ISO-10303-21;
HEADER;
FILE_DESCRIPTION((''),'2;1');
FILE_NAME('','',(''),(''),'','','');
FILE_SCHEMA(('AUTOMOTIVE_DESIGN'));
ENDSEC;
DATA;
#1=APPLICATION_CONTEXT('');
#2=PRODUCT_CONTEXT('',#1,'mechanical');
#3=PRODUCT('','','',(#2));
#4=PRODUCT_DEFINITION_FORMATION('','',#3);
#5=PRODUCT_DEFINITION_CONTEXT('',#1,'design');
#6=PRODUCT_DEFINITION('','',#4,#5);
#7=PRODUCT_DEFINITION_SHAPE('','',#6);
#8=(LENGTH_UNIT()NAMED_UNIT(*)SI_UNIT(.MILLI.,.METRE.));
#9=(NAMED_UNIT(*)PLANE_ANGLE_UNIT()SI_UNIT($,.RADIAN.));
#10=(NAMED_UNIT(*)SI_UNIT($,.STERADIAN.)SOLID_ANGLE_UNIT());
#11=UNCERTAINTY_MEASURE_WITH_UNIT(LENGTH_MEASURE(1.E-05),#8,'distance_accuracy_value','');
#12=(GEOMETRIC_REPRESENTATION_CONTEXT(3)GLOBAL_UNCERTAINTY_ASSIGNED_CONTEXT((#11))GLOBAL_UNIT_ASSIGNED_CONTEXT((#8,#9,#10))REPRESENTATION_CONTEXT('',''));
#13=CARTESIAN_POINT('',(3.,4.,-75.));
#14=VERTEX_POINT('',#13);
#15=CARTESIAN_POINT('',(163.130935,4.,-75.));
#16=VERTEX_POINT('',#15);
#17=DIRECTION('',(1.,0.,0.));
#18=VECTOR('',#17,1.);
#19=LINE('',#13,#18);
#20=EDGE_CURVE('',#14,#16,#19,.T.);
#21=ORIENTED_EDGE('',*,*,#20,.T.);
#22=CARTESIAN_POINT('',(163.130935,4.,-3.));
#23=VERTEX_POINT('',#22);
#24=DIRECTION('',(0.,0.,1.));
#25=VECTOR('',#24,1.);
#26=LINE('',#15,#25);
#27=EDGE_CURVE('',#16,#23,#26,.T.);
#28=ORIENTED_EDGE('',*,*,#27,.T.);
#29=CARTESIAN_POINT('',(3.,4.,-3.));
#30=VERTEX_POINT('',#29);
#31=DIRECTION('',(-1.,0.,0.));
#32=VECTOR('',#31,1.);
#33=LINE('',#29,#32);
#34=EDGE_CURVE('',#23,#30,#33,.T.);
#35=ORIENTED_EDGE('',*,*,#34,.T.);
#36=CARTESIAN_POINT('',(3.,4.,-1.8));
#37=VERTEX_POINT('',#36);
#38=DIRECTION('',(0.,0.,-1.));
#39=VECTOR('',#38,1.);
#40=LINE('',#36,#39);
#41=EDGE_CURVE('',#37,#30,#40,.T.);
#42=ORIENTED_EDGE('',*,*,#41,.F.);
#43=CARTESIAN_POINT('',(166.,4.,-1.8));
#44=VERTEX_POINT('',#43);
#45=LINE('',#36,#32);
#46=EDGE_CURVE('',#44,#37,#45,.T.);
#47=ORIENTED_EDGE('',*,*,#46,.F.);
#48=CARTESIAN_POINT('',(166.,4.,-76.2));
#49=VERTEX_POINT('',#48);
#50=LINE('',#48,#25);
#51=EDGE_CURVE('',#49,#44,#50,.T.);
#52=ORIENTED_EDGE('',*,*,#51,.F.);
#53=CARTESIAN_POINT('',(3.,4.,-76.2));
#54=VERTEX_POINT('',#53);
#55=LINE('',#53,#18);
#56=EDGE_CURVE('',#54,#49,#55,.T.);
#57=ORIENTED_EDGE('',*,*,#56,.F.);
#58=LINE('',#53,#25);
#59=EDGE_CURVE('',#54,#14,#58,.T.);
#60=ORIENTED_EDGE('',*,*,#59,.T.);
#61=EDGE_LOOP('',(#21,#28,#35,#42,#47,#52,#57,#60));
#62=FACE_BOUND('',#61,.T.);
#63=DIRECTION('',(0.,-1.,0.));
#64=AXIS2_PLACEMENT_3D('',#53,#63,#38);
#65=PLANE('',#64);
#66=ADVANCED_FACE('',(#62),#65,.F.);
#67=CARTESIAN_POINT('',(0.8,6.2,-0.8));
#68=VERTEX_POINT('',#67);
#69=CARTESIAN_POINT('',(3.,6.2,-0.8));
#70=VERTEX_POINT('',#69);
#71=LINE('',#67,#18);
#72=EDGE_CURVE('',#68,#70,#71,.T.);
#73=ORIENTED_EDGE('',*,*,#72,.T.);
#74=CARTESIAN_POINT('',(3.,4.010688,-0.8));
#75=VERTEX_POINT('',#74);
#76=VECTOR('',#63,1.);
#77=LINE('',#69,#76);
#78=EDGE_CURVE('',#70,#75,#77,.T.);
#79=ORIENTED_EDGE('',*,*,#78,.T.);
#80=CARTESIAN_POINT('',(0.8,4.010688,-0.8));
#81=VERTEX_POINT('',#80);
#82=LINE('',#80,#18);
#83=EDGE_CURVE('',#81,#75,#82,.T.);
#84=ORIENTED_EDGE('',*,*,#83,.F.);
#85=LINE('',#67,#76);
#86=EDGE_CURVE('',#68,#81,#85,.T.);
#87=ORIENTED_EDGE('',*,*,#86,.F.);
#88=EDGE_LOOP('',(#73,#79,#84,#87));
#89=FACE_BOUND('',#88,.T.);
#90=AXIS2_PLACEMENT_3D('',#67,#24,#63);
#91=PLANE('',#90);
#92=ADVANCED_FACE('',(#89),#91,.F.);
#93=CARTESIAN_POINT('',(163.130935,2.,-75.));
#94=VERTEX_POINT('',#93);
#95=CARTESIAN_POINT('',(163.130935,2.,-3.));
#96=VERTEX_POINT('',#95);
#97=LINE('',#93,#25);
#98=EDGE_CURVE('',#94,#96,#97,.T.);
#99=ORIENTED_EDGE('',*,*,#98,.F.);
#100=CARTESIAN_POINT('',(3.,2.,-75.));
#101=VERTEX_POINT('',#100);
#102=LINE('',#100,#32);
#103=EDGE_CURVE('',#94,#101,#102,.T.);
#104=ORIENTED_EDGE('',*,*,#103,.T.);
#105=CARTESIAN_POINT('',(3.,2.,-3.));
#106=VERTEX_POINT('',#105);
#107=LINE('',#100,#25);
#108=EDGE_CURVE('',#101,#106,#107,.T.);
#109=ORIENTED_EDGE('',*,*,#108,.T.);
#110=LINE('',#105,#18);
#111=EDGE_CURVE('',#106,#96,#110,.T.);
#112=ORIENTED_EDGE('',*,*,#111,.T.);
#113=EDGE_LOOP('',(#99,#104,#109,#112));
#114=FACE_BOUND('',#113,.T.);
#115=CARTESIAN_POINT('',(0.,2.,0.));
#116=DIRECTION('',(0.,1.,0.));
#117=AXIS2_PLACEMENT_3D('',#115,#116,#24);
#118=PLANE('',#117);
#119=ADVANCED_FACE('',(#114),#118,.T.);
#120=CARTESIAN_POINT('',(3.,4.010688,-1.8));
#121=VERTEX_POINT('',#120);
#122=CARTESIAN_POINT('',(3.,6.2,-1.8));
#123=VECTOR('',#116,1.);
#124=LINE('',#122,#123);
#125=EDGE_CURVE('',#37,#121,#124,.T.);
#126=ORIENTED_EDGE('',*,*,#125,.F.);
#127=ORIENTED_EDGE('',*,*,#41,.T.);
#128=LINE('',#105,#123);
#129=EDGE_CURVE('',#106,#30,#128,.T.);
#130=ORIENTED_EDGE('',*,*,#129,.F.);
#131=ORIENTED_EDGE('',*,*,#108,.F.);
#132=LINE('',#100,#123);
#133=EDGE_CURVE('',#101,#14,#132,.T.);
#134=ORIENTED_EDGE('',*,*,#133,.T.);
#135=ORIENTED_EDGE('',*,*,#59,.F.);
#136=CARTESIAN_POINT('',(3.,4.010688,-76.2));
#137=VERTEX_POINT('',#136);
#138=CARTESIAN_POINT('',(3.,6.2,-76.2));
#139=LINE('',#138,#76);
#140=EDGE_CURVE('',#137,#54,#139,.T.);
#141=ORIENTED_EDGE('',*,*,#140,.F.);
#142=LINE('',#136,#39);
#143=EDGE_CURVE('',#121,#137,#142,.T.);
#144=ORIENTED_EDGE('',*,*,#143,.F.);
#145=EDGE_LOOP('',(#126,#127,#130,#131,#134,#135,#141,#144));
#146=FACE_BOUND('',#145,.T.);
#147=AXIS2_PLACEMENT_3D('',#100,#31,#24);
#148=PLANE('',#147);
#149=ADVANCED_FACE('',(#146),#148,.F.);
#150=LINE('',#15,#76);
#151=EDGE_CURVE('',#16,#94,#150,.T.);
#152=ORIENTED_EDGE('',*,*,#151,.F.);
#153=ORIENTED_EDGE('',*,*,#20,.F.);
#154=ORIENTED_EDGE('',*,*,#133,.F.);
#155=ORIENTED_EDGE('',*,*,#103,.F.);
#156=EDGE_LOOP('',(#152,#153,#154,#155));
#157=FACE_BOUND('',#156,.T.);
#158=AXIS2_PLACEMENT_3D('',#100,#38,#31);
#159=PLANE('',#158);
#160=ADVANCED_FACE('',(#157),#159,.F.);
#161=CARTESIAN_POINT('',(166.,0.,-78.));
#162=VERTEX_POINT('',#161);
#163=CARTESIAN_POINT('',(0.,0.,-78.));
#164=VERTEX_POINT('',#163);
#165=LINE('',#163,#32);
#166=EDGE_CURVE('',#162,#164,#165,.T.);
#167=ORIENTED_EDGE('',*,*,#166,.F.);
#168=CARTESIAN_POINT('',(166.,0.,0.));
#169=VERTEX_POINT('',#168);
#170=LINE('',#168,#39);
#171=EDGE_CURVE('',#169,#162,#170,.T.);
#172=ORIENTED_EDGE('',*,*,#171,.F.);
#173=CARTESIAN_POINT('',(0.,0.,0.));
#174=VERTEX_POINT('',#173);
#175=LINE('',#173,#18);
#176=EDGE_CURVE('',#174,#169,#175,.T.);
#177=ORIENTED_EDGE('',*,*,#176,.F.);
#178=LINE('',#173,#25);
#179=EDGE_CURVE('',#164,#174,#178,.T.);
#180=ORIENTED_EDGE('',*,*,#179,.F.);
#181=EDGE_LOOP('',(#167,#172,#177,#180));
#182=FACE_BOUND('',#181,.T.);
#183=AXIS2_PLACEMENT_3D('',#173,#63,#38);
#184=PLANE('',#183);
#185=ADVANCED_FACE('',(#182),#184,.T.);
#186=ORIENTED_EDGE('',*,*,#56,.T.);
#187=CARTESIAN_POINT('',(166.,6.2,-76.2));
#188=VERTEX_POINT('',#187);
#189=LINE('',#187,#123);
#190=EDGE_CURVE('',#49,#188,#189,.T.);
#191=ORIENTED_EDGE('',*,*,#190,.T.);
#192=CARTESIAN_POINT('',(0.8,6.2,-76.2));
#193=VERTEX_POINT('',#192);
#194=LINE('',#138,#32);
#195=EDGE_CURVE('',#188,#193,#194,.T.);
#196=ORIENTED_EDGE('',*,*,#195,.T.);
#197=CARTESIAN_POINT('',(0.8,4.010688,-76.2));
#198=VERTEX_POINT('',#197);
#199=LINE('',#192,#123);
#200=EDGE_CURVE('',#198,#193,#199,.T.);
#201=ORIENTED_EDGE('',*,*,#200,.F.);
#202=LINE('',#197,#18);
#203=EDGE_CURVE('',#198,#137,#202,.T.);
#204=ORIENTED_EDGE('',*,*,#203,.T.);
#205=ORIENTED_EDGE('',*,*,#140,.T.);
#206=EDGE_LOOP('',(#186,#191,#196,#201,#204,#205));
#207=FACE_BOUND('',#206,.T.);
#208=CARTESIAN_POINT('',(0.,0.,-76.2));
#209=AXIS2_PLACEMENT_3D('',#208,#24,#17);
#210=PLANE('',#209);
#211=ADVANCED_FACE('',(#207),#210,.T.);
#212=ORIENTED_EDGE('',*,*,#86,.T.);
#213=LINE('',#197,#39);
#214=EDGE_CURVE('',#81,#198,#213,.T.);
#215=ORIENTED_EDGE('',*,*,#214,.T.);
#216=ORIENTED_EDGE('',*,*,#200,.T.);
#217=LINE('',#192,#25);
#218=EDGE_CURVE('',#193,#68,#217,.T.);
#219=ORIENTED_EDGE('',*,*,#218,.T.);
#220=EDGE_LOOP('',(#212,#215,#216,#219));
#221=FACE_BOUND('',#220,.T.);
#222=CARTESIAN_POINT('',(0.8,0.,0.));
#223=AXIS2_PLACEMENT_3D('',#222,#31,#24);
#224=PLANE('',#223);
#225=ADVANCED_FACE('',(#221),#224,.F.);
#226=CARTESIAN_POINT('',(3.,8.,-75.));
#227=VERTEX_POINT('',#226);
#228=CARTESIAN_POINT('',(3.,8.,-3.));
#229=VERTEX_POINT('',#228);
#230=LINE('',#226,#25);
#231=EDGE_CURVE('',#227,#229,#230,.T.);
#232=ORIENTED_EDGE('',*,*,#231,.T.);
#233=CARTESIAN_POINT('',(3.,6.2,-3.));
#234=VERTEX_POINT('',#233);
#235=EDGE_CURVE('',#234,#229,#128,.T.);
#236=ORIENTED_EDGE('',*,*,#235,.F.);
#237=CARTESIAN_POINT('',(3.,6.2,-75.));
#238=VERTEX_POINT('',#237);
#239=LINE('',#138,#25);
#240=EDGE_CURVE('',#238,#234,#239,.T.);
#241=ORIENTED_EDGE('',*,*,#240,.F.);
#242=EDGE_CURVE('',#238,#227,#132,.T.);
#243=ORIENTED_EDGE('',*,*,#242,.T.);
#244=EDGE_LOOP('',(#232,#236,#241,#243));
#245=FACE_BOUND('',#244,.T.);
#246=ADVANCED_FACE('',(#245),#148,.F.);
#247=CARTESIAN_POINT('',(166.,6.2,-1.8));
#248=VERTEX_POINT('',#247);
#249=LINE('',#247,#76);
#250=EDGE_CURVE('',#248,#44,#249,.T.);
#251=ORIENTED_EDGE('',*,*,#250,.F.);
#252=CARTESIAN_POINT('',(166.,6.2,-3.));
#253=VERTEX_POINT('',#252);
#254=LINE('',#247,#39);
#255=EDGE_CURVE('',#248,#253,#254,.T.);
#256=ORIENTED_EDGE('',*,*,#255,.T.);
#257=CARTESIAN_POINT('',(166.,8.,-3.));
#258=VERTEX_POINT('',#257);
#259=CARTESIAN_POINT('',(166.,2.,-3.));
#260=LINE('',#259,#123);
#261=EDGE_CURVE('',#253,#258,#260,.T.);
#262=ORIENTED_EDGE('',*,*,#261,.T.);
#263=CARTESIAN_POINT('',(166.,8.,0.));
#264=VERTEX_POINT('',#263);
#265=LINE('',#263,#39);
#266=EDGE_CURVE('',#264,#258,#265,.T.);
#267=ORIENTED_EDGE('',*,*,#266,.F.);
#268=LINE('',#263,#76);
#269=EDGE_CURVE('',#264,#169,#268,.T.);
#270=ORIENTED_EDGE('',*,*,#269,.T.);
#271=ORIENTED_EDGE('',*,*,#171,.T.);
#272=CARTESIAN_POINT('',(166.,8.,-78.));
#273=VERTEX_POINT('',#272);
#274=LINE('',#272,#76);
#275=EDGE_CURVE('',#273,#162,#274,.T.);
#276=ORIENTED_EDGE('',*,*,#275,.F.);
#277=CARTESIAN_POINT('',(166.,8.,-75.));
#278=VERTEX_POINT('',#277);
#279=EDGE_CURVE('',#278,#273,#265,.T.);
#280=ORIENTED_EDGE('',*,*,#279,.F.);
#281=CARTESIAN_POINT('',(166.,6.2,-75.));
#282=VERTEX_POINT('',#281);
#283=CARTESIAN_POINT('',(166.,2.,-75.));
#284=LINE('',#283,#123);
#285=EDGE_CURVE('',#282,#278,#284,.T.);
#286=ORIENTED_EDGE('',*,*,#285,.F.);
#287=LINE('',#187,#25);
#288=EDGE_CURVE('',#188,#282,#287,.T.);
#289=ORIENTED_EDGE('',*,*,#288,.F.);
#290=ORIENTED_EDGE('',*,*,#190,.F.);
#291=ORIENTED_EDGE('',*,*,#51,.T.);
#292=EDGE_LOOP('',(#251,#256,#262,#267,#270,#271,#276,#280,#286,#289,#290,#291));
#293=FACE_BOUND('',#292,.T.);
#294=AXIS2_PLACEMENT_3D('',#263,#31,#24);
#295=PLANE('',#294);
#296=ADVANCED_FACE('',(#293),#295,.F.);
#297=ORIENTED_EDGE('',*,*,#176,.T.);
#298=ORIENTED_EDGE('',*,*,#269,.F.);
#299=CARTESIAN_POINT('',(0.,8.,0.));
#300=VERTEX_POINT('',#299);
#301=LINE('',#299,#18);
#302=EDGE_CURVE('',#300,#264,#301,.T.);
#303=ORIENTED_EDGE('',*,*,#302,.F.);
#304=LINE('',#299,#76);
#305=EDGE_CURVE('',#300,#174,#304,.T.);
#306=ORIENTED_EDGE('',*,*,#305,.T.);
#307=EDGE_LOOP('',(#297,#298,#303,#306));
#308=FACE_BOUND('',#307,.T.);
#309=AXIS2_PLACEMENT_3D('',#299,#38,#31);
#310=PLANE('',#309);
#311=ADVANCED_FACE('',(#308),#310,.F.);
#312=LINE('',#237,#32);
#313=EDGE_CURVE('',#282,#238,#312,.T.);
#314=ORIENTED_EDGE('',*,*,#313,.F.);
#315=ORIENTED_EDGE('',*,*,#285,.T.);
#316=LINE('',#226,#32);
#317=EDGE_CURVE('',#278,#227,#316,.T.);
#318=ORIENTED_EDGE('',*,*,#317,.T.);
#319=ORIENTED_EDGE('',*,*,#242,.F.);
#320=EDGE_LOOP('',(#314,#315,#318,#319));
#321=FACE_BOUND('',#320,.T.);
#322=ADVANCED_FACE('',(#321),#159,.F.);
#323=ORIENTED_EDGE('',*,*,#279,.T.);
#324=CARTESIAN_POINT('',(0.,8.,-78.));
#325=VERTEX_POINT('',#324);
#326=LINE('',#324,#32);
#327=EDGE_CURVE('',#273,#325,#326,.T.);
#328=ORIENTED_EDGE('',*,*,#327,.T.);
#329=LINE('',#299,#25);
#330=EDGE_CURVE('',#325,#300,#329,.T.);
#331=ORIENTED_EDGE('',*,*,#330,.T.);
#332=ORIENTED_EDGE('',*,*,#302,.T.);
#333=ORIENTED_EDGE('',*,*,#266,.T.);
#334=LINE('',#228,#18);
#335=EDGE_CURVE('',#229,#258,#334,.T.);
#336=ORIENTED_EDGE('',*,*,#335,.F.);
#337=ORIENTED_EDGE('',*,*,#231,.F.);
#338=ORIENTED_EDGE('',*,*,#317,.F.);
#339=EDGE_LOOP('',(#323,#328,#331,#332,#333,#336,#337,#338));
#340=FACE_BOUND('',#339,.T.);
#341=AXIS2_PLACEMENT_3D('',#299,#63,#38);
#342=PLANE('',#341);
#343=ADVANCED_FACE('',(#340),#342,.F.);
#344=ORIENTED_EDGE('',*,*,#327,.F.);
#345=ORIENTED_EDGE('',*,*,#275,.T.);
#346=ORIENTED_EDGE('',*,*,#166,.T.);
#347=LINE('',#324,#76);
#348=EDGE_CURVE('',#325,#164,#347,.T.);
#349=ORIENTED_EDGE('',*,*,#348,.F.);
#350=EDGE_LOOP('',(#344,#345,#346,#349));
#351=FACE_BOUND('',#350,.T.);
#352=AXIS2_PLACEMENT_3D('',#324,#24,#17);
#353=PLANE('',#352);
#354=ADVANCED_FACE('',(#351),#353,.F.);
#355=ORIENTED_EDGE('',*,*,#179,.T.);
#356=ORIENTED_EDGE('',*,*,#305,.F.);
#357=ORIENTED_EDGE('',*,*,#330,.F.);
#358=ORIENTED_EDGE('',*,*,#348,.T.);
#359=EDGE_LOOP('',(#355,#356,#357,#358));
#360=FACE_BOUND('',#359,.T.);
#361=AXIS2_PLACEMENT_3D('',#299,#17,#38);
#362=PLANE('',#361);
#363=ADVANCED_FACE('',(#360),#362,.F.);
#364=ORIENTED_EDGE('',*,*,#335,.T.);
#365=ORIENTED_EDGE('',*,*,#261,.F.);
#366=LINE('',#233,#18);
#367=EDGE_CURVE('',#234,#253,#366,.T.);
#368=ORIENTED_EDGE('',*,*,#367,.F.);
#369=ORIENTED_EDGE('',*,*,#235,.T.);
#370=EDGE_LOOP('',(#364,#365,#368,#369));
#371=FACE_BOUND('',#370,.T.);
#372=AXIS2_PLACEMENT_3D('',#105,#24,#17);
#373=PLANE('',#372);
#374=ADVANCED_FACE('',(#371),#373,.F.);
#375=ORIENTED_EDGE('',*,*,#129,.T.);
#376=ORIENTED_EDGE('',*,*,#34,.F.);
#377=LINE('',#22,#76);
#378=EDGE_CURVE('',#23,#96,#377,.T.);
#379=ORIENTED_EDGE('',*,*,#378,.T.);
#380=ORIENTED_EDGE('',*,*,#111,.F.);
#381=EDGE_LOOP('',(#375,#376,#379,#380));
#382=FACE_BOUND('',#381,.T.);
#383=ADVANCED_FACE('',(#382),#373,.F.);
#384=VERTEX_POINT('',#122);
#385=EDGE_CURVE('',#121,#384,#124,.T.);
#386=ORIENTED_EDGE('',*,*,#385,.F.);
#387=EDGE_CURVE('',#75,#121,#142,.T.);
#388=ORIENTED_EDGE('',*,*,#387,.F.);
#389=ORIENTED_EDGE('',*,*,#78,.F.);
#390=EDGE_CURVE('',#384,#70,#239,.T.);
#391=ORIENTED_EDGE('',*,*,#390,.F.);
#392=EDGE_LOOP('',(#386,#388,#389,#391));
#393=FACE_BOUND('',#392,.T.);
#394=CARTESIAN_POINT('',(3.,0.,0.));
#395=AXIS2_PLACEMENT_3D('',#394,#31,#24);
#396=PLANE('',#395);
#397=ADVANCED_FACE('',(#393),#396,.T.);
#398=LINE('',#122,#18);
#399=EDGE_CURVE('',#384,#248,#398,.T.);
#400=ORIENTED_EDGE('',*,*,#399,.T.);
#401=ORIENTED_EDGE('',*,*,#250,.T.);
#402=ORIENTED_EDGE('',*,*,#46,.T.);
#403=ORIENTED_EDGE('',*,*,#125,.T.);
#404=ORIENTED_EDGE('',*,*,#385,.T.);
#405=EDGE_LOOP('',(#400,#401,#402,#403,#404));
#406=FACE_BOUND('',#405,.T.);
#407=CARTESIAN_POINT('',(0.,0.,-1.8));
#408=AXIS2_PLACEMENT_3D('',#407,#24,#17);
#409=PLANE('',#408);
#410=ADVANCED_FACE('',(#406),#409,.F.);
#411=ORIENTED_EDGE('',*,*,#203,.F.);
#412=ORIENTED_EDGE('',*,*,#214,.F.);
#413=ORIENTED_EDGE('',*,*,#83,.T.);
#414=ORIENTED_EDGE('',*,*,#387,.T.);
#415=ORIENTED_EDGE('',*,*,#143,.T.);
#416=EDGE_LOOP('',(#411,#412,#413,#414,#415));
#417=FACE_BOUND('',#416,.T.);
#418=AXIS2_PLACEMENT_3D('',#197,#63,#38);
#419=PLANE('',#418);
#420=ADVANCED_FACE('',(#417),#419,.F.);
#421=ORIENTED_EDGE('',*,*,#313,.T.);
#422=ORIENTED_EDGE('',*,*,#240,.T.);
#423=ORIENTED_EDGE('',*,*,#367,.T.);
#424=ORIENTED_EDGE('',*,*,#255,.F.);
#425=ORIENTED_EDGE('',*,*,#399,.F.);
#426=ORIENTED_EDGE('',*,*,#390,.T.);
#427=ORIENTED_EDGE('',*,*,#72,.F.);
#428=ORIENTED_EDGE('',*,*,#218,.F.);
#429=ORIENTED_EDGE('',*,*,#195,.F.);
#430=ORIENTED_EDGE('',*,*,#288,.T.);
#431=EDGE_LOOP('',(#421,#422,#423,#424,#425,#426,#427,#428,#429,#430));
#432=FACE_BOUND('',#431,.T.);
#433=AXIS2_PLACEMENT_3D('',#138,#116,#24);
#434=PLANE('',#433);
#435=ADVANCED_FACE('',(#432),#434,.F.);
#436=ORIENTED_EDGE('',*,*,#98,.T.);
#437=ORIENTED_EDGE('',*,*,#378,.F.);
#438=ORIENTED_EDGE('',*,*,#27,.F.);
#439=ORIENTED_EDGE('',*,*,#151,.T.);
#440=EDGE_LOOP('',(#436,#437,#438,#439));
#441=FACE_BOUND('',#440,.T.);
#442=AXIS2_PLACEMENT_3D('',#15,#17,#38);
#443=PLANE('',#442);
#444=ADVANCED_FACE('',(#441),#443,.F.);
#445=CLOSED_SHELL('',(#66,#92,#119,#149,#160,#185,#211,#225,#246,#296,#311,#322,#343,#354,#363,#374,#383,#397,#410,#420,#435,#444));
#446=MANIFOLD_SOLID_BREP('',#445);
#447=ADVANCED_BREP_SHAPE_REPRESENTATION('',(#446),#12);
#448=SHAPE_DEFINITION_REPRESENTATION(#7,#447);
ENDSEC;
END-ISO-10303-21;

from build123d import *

# Parameters (mm, degrees)
SKETCH_1_W            = 166
SKETCH_1_H            = 78
EXTRUDE_293_DEPTH     = 8
SKETCH_2_W            = 163
SKETCH_2_H            = 72
CUT_EXTRUDE_531_DEPTH = 6
SKETCH_7_W            = 163
SKETCH_7_H            = 2.2
CUT_EXTRUDE_3_DEPTH   = 1.2
SKETCH_8_W            = 75.4
SKETCH_8_H            = 2.189311695
CUT_EXTRUDE_4_DEPTH   = 2.2
SKETCH_9_W            = 163
SKETCH_9_H            = 2.2
CUT_EXTRUDE_5_DEPTH   = 1.2
SKETCH_10_W           = 2.869065247
SKETCH_10_H           = 72
EXTRUDE_1_DEPTH       = 2


with BuildPart() as part:
    # Эскиз1 → Extrude 293 (new body)
    with BuildSketch(Plane(origin=(0, 0, 0), x_dir=(1, 0, 0), z_dir=(0, 1, 0))):
        with Locations((83, 39)):
            Rectangle(SKETCH_1_W, SKETCH_1_H)
    extrude(amount=EXTRUDE_293_DEPTH)

    # Эскиз2 → Cut-Extrude 531 (cut)
    with BuildSketch(Plane(origin=(0, 8, 0), x_dir=(1, 0, 0), z_dir=(0, 1, 0))):
        with Locations((84.5, 39)):
            Rectangle(SKETCH_2_W, SKETCH_2_H)
    extrude(amount=-CUT_EXTRUDE_531_DEPTH, mode=Mode.SUBTRACT)

    # Эскиз7 → Вырез-Вытянуть3 (cut)
    with BuildSketch(Plane.XY.offset(-75)):
        with Locations((84.5, 5.1)):
            Rectangle(SKETCH_7_W, SKETCH_7_H)
    extrude(amount=-CUT_EXTRUDE_3_DEPTH, mode=Mode.SUBTRACT)

    # Эскиз8 → Вырез-Вытянуть4 (cut)
    with BuildSketch(Plane(origin=(3, 0, 0), x_dir=(0, 0, -1), z_dir=(1, 0, 0))):
        with Locations((38.5, 5.105344153)):
            Rectangle(SKETCH_8_W, SKETCH_8_H)
    extrude(amount=-CUT_EXTRUDE_4_DEPTH, mode=Mode.SUBTRACT)

    # Эскиз9 → Вырез-Вытянуть5 (cut)
    with BuildSketch(Plane(origin=(0, 0, -3), x_dir=(-1, 0, 0), z_dir=(0, 0, -1))):
        with Locations((-84.5, 5.1)):
            Rectangle(SKETCH_9_W, SKETCH_9_H)
    extrude(amount=-CUT_EXTRUDE_5_DEPTH, mode=Mode.SUBTRACT)

    # Эскиз10 → Бобышка-Вытянуть1 (add)
    with BuildSketch(Plane(origin=(0, 2, 0), x_dir=(1, 0, 0), z_dir=(0, 1, 0))):
        with Locations((164.565467377, 39)):
            Rectangle(SKETCH_10_W, SKETCH_10_H)
    extrude(amount=EXTRUDE_1_DEPTH)


solid = part.part
